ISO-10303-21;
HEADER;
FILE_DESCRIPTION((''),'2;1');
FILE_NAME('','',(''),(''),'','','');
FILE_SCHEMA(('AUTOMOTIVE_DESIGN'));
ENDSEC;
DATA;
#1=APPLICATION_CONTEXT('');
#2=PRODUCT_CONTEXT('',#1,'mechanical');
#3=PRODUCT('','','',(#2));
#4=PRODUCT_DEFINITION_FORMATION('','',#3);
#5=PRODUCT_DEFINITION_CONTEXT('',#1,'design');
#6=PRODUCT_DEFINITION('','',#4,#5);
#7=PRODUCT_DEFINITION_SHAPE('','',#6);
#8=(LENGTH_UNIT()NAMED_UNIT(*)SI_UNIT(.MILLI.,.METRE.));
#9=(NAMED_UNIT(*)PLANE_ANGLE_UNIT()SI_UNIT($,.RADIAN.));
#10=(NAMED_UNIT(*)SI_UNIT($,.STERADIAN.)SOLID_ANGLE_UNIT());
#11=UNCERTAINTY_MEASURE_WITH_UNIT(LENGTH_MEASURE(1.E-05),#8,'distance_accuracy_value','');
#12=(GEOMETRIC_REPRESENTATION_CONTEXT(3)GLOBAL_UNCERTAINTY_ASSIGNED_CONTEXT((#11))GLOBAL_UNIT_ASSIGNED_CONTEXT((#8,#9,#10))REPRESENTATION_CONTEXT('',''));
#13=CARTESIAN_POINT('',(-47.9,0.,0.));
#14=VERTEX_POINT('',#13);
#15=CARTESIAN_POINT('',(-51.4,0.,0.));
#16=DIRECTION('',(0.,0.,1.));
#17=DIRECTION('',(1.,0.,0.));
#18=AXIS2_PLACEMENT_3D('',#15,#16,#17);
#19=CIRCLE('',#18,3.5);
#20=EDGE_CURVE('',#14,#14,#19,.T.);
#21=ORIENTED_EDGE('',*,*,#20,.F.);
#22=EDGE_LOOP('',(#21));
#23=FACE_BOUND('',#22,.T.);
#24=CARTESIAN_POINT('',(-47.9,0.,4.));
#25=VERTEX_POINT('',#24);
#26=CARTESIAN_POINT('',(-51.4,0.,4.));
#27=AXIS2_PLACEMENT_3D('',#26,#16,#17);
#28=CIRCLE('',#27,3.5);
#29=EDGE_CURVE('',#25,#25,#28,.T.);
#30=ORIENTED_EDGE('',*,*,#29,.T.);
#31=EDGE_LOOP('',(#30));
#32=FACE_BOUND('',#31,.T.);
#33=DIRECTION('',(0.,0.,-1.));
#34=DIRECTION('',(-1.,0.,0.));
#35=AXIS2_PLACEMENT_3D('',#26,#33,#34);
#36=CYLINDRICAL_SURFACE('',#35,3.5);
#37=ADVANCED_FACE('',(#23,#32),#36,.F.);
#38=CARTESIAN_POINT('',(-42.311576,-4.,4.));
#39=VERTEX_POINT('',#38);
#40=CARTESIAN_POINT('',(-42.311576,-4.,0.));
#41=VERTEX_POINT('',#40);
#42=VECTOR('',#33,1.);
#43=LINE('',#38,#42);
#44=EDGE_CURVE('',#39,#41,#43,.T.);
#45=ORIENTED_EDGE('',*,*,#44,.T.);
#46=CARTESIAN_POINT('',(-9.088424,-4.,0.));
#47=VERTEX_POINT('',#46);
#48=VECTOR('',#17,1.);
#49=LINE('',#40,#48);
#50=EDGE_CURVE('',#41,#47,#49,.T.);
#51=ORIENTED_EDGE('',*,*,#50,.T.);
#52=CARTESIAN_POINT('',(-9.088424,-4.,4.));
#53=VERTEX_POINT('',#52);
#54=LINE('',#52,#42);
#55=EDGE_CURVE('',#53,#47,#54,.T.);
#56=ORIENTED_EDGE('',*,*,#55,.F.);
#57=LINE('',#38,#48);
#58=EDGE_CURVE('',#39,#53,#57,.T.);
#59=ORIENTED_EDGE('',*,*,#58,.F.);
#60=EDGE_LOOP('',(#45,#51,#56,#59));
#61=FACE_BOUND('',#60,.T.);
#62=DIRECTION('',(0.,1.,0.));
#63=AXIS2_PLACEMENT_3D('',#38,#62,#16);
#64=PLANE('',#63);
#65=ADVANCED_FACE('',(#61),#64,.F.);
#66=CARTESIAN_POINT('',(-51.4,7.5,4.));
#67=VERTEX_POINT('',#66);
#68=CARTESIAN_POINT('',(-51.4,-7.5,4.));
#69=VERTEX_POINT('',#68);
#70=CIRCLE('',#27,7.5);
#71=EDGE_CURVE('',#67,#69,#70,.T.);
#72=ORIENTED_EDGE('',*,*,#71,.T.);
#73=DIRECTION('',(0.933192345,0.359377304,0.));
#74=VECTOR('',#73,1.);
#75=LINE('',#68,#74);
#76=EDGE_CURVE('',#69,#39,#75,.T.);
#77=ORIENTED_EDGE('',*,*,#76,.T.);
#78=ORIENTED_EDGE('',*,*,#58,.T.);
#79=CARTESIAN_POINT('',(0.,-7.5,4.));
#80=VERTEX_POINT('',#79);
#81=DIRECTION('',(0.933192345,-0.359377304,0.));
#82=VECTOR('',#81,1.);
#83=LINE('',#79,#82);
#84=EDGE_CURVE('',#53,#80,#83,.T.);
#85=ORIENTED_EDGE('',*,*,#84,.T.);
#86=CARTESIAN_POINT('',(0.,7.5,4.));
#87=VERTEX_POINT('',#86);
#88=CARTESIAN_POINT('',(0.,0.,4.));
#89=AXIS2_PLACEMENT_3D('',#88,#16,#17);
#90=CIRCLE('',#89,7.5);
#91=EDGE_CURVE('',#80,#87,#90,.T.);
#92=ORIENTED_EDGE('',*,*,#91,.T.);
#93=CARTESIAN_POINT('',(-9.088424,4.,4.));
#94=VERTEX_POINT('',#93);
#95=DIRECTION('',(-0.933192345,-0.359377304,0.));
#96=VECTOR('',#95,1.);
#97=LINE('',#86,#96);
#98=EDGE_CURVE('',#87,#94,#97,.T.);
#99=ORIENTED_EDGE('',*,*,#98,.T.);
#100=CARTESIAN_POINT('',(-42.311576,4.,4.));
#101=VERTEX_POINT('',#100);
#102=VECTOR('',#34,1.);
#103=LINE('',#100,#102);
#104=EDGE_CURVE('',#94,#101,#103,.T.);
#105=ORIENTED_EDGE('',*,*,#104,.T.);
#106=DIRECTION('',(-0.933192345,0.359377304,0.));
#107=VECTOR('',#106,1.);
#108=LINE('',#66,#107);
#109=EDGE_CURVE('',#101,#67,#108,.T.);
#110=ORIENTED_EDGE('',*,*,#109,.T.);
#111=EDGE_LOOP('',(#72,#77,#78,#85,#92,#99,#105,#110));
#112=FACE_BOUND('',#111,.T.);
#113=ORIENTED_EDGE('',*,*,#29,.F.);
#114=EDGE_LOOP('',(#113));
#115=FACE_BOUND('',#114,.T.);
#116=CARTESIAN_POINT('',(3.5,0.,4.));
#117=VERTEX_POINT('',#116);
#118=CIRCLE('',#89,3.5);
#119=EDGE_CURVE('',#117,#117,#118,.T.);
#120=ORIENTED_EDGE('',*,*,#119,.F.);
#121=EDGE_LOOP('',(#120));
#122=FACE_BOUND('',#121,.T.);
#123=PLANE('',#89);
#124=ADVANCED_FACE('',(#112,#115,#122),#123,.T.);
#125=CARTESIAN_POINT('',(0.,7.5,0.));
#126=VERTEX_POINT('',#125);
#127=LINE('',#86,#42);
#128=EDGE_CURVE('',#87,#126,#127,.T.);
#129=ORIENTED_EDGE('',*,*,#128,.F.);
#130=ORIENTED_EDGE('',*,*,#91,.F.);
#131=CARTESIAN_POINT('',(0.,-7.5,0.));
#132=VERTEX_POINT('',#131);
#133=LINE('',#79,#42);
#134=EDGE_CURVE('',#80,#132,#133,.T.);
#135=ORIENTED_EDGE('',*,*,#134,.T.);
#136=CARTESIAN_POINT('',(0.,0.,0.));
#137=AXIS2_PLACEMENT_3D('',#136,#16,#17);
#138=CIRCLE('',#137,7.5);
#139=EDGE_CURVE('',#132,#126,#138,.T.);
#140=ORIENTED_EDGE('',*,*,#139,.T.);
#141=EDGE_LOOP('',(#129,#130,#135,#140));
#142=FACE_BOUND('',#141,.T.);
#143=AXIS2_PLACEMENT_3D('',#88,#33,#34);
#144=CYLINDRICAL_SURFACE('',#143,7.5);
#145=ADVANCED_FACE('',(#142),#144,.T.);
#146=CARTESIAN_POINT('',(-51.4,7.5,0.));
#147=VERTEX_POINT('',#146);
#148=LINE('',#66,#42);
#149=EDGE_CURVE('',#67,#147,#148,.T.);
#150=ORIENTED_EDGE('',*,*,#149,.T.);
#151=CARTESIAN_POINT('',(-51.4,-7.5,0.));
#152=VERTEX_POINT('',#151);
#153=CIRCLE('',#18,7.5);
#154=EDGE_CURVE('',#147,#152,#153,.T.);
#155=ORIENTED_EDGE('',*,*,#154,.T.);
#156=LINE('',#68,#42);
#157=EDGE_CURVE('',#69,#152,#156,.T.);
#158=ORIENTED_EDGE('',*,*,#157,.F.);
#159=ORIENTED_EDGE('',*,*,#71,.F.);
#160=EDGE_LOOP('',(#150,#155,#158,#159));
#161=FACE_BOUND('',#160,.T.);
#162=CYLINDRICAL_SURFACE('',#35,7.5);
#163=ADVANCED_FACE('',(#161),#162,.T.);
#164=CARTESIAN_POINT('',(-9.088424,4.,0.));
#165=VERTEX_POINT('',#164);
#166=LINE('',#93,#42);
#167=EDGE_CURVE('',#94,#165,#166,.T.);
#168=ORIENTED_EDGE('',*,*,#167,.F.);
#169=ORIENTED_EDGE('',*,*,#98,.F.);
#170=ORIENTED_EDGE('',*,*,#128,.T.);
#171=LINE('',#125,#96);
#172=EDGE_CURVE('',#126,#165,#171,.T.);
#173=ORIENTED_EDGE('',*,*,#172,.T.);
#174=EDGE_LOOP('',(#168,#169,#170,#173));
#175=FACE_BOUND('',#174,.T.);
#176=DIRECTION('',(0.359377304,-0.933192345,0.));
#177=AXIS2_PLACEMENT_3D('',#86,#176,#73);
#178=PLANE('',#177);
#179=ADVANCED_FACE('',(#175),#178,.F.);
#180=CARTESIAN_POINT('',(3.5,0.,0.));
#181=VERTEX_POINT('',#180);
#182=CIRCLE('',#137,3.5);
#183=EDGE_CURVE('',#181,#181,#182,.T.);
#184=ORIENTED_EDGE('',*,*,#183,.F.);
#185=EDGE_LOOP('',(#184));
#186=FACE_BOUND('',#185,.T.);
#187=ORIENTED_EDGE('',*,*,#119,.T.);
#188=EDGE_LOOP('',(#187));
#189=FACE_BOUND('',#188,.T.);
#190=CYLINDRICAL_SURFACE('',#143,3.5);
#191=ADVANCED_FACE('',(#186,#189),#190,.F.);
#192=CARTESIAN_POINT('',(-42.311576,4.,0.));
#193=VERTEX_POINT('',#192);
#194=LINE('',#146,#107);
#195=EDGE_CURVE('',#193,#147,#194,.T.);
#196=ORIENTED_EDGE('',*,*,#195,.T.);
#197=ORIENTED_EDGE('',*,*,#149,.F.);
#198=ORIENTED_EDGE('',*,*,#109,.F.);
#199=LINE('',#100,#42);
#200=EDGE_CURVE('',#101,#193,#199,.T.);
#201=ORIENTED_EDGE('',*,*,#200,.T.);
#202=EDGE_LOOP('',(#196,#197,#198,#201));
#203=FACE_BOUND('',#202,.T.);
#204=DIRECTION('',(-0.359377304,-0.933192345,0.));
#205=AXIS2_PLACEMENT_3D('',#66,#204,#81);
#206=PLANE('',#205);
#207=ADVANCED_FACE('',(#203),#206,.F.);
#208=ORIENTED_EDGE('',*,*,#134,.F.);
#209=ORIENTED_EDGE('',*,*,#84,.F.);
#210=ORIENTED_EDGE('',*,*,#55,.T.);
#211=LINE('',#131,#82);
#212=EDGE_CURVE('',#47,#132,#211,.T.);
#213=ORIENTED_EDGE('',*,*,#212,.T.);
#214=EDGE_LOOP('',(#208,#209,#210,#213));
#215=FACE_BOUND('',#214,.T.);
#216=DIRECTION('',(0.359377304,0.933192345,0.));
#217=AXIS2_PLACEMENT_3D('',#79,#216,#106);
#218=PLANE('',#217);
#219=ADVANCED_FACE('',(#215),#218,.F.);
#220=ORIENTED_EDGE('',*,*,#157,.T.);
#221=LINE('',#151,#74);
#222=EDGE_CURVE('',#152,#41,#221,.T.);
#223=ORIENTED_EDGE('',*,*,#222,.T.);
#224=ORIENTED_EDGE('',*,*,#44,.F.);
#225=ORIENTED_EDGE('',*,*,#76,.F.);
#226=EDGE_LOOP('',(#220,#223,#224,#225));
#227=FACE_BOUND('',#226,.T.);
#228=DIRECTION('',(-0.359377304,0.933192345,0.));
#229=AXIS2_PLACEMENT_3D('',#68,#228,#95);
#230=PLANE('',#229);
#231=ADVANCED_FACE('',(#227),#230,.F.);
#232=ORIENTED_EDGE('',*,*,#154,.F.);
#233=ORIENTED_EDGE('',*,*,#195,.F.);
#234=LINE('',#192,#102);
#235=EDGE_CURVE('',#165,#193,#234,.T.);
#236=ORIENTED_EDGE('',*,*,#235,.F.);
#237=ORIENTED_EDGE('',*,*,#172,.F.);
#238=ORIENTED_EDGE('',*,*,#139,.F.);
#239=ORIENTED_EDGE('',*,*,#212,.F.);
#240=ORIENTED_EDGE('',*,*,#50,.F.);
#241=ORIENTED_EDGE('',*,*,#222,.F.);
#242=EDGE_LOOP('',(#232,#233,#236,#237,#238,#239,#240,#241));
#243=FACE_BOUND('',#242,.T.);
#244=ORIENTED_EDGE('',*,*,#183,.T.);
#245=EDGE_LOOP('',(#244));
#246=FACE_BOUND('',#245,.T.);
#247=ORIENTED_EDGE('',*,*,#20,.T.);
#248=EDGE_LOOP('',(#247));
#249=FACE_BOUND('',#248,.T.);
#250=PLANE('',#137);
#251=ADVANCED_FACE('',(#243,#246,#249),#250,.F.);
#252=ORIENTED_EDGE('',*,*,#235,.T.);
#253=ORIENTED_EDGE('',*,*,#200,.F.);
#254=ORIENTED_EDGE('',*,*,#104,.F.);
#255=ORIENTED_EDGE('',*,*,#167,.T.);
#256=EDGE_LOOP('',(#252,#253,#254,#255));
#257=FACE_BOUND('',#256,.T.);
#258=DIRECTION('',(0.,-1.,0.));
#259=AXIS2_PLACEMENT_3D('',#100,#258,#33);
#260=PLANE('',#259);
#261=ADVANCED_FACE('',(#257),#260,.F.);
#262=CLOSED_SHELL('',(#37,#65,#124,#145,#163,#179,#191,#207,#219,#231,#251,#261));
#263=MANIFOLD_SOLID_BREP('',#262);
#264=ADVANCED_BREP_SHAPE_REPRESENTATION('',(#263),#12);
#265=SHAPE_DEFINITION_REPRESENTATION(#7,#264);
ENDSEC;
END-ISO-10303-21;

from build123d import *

# Parameters (mm, degrees)
SKETCH1_R           = 3.5
BOSS_EXTRUDE2_DEPTH = 4


with BuildPart() as part:
    # Sketch1 → Boss-Extrude2 (new body)
    with BuildSketch(Plane.XY):
        with BuildLine():
            Line((0, 7.5), (-9.088423691, 4))
            Line((-9.088423691, 4), (-42.311576309, 4))
            Line((-42.311576309, 4), (-51.4, 7.5))
            ThreePointArc((-51.4, 7.5), (-58.9, 0), (-51.4, -7.5))
            Line((-51.4, -7.5), (-42.311576309, -4))
            Line((-42.311576309, -4), (-9.088423691, -4))
            Line((-9.088423691, -4), (0, -7.5))
            ThreePointArc((0, -7.5), (7.5, 0), (0, 7.5))
        make_face()
        Circle(SKETCH1_R, mode=Mode.SUBTRACT)
        with Locations((-51.4, 0)):
            Circle(SKETCH1_R, mode=Mode.SUBTRACT)
    extrude(amount=BOSS_EXTRUDE2_DEPTH)


solid = part.part
